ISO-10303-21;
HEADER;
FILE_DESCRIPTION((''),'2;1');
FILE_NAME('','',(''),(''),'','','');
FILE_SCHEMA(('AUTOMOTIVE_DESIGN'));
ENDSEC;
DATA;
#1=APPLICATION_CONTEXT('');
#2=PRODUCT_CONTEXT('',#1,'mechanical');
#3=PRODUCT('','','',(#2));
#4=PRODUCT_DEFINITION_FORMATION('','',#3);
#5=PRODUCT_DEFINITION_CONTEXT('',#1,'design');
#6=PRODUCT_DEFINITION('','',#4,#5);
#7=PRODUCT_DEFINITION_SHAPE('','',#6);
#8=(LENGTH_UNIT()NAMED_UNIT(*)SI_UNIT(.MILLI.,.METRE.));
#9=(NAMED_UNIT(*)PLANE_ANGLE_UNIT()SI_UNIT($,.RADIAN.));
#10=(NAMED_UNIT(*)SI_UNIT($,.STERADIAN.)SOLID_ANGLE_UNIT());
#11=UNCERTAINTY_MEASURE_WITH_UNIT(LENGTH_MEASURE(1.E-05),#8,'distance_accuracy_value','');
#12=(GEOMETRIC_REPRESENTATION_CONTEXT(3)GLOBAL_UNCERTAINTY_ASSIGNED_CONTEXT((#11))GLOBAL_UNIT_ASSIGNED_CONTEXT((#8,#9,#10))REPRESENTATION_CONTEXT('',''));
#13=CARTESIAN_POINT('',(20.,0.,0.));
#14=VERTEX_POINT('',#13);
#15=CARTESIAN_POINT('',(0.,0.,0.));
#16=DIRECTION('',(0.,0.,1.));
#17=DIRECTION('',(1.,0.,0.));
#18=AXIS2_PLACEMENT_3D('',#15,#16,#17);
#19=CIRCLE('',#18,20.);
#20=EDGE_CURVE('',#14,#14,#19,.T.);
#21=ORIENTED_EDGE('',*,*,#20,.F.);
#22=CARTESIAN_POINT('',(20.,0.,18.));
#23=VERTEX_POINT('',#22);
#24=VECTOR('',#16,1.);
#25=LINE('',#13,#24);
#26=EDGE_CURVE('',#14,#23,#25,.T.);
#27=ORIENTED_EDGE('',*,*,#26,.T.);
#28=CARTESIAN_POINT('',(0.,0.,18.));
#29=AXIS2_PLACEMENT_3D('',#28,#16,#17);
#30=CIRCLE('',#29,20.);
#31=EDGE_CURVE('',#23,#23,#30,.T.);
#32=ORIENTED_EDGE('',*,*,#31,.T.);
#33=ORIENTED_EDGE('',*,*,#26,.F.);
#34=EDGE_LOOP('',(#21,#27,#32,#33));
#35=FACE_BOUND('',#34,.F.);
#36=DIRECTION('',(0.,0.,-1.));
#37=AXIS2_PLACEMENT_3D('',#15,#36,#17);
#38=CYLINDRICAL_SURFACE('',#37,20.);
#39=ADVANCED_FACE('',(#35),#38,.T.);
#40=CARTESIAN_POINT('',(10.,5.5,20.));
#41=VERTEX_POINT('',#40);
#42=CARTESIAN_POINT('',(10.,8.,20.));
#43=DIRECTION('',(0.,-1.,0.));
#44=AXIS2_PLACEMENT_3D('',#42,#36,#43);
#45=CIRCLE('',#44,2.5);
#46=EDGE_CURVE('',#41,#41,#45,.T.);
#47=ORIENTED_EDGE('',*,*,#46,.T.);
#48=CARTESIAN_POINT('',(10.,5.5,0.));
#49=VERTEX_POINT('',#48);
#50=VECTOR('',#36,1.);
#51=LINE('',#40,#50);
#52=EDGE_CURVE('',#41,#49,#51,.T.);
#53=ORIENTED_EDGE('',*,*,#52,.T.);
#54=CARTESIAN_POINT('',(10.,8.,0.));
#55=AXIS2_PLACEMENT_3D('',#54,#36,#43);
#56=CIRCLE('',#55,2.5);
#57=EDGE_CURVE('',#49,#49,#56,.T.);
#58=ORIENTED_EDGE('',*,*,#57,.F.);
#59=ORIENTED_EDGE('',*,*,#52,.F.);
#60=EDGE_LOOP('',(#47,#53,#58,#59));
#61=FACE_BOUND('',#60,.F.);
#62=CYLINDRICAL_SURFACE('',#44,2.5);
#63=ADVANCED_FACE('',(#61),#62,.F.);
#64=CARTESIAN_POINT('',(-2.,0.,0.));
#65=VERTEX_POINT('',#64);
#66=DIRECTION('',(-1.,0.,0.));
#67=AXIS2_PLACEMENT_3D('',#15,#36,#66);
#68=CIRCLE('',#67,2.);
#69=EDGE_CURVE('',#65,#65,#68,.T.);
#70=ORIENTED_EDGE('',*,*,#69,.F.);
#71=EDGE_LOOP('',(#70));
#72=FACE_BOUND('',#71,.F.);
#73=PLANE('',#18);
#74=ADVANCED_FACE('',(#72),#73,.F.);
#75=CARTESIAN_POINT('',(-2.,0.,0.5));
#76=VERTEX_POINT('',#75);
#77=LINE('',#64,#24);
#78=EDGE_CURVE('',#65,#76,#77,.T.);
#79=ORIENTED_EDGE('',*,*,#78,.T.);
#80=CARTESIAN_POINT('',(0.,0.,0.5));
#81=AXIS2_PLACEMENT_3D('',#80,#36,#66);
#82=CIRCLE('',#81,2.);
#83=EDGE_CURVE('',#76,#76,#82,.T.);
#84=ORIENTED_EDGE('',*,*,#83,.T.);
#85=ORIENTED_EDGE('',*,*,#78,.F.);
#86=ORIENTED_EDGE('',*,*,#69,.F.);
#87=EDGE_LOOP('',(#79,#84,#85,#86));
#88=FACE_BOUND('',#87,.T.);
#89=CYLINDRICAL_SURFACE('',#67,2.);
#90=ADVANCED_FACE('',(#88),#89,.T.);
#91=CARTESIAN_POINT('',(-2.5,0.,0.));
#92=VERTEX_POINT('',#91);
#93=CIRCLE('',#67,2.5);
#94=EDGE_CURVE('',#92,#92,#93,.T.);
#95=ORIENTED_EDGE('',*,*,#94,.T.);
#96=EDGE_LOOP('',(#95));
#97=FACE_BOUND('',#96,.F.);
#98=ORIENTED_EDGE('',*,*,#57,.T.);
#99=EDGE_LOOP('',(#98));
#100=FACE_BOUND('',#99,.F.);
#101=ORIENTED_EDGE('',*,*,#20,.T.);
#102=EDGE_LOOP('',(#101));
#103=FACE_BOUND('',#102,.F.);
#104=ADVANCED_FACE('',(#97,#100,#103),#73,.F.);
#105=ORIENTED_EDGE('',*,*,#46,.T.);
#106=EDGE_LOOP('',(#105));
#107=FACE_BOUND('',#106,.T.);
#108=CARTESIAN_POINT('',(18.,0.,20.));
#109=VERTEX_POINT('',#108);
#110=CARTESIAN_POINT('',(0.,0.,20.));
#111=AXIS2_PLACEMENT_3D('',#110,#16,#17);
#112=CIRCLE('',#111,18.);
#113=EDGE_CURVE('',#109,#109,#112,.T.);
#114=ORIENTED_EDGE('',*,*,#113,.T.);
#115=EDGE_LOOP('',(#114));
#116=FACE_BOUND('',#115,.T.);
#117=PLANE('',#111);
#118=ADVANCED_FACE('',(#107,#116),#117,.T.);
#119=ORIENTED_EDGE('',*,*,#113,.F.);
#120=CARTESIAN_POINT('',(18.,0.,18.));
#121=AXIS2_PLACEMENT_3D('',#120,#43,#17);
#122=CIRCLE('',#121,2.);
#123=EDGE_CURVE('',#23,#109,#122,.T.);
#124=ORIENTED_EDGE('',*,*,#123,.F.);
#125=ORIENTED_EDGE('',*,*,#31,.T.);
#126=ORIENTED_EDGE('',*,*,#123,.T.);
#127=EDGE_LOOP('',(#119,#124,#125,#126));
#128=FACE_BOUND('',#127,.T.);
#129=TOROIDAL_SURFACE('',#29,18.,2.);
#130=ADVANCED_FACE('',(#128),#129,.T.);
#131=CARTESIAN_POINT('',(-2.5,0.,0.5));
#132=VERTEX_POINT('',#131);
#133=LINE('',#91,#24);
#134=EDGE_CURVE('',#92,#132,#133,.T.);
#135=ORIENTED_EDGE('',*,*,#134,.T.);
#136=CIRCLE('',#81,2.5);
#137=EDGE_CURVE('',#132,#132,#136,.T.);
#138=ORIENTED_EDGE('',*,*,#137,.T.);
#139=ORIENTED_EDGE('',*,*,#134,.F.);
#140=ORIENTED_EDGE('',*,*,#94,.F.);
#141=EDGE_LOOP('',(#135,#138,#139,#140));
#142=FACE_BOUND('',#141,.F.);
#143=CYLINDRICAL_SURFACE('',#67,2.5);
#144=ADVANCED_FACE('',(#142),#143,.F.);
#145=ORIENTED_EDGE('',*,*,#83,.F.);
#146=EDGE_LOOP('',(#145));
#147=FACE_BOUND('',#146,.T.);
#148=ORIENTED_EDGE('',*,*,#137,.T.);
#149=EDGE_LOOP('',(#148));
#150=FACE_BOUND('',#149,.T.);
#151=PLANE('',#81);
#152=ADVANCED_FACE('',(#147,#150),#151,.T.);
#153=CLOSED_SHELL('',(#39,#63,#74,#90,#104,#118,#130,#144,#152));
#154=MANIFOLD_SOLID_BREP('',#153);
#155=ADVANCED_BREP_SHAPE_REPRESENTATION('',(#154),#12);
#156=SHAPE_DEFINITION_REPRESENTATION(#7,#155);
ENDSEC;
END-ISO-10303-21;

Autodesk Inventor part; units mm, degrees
ref_plane "YZ Plane" through (0, 0, 0) normal (1, 0, 0) x (0, 1, 0)
ref_plane "XZ Plane" through (0, 0, 0) normal (0, 1, 0) x (-1, 0, 0)
ref_plane "XY Plane" through (0, 0, 0) normal (0, 0, 1) x (1, 0, 0)
sketch "Skizze1" plane through (0, 0, 0) normal (0, 0, 1) x (1, 0, 0)
  circle A0 centre (0, 0) radius 20
  dimension "d0" = 40
extrude "Extrusion1" add sketch "Skizze1" along normal blind 20
fillet "Rundung1" radius 2 1 edges at (-20, 0, 20)
sketch "Skizze2" plane through (0, 0, 20) normal (0, 0, 1) x (1, 0, 0)
  circle A0 centre (10, 8) radius 3.75
  point P0 (0, 0)
  dimension "d4" = 7.5
hole "Bohrung1" at (10, 8, 20) direction (0, 0, -1) diameter 5 end through all
sketch "Skizze3" plane through (0, 0, 0) normal (0, 0, -1) x (-1, 0, 0)
  circle A0 centre (0, 0) radius 2.5
  circle A1 centre (0, 0) radius 2
  dimension "d12" = 5
  dimension "d13" = 4
extrude "Extrusion2" cut sketch "Skizze3" against normal blind 0.5
properties part number "Hub" material "ABS-Kunststoff"
